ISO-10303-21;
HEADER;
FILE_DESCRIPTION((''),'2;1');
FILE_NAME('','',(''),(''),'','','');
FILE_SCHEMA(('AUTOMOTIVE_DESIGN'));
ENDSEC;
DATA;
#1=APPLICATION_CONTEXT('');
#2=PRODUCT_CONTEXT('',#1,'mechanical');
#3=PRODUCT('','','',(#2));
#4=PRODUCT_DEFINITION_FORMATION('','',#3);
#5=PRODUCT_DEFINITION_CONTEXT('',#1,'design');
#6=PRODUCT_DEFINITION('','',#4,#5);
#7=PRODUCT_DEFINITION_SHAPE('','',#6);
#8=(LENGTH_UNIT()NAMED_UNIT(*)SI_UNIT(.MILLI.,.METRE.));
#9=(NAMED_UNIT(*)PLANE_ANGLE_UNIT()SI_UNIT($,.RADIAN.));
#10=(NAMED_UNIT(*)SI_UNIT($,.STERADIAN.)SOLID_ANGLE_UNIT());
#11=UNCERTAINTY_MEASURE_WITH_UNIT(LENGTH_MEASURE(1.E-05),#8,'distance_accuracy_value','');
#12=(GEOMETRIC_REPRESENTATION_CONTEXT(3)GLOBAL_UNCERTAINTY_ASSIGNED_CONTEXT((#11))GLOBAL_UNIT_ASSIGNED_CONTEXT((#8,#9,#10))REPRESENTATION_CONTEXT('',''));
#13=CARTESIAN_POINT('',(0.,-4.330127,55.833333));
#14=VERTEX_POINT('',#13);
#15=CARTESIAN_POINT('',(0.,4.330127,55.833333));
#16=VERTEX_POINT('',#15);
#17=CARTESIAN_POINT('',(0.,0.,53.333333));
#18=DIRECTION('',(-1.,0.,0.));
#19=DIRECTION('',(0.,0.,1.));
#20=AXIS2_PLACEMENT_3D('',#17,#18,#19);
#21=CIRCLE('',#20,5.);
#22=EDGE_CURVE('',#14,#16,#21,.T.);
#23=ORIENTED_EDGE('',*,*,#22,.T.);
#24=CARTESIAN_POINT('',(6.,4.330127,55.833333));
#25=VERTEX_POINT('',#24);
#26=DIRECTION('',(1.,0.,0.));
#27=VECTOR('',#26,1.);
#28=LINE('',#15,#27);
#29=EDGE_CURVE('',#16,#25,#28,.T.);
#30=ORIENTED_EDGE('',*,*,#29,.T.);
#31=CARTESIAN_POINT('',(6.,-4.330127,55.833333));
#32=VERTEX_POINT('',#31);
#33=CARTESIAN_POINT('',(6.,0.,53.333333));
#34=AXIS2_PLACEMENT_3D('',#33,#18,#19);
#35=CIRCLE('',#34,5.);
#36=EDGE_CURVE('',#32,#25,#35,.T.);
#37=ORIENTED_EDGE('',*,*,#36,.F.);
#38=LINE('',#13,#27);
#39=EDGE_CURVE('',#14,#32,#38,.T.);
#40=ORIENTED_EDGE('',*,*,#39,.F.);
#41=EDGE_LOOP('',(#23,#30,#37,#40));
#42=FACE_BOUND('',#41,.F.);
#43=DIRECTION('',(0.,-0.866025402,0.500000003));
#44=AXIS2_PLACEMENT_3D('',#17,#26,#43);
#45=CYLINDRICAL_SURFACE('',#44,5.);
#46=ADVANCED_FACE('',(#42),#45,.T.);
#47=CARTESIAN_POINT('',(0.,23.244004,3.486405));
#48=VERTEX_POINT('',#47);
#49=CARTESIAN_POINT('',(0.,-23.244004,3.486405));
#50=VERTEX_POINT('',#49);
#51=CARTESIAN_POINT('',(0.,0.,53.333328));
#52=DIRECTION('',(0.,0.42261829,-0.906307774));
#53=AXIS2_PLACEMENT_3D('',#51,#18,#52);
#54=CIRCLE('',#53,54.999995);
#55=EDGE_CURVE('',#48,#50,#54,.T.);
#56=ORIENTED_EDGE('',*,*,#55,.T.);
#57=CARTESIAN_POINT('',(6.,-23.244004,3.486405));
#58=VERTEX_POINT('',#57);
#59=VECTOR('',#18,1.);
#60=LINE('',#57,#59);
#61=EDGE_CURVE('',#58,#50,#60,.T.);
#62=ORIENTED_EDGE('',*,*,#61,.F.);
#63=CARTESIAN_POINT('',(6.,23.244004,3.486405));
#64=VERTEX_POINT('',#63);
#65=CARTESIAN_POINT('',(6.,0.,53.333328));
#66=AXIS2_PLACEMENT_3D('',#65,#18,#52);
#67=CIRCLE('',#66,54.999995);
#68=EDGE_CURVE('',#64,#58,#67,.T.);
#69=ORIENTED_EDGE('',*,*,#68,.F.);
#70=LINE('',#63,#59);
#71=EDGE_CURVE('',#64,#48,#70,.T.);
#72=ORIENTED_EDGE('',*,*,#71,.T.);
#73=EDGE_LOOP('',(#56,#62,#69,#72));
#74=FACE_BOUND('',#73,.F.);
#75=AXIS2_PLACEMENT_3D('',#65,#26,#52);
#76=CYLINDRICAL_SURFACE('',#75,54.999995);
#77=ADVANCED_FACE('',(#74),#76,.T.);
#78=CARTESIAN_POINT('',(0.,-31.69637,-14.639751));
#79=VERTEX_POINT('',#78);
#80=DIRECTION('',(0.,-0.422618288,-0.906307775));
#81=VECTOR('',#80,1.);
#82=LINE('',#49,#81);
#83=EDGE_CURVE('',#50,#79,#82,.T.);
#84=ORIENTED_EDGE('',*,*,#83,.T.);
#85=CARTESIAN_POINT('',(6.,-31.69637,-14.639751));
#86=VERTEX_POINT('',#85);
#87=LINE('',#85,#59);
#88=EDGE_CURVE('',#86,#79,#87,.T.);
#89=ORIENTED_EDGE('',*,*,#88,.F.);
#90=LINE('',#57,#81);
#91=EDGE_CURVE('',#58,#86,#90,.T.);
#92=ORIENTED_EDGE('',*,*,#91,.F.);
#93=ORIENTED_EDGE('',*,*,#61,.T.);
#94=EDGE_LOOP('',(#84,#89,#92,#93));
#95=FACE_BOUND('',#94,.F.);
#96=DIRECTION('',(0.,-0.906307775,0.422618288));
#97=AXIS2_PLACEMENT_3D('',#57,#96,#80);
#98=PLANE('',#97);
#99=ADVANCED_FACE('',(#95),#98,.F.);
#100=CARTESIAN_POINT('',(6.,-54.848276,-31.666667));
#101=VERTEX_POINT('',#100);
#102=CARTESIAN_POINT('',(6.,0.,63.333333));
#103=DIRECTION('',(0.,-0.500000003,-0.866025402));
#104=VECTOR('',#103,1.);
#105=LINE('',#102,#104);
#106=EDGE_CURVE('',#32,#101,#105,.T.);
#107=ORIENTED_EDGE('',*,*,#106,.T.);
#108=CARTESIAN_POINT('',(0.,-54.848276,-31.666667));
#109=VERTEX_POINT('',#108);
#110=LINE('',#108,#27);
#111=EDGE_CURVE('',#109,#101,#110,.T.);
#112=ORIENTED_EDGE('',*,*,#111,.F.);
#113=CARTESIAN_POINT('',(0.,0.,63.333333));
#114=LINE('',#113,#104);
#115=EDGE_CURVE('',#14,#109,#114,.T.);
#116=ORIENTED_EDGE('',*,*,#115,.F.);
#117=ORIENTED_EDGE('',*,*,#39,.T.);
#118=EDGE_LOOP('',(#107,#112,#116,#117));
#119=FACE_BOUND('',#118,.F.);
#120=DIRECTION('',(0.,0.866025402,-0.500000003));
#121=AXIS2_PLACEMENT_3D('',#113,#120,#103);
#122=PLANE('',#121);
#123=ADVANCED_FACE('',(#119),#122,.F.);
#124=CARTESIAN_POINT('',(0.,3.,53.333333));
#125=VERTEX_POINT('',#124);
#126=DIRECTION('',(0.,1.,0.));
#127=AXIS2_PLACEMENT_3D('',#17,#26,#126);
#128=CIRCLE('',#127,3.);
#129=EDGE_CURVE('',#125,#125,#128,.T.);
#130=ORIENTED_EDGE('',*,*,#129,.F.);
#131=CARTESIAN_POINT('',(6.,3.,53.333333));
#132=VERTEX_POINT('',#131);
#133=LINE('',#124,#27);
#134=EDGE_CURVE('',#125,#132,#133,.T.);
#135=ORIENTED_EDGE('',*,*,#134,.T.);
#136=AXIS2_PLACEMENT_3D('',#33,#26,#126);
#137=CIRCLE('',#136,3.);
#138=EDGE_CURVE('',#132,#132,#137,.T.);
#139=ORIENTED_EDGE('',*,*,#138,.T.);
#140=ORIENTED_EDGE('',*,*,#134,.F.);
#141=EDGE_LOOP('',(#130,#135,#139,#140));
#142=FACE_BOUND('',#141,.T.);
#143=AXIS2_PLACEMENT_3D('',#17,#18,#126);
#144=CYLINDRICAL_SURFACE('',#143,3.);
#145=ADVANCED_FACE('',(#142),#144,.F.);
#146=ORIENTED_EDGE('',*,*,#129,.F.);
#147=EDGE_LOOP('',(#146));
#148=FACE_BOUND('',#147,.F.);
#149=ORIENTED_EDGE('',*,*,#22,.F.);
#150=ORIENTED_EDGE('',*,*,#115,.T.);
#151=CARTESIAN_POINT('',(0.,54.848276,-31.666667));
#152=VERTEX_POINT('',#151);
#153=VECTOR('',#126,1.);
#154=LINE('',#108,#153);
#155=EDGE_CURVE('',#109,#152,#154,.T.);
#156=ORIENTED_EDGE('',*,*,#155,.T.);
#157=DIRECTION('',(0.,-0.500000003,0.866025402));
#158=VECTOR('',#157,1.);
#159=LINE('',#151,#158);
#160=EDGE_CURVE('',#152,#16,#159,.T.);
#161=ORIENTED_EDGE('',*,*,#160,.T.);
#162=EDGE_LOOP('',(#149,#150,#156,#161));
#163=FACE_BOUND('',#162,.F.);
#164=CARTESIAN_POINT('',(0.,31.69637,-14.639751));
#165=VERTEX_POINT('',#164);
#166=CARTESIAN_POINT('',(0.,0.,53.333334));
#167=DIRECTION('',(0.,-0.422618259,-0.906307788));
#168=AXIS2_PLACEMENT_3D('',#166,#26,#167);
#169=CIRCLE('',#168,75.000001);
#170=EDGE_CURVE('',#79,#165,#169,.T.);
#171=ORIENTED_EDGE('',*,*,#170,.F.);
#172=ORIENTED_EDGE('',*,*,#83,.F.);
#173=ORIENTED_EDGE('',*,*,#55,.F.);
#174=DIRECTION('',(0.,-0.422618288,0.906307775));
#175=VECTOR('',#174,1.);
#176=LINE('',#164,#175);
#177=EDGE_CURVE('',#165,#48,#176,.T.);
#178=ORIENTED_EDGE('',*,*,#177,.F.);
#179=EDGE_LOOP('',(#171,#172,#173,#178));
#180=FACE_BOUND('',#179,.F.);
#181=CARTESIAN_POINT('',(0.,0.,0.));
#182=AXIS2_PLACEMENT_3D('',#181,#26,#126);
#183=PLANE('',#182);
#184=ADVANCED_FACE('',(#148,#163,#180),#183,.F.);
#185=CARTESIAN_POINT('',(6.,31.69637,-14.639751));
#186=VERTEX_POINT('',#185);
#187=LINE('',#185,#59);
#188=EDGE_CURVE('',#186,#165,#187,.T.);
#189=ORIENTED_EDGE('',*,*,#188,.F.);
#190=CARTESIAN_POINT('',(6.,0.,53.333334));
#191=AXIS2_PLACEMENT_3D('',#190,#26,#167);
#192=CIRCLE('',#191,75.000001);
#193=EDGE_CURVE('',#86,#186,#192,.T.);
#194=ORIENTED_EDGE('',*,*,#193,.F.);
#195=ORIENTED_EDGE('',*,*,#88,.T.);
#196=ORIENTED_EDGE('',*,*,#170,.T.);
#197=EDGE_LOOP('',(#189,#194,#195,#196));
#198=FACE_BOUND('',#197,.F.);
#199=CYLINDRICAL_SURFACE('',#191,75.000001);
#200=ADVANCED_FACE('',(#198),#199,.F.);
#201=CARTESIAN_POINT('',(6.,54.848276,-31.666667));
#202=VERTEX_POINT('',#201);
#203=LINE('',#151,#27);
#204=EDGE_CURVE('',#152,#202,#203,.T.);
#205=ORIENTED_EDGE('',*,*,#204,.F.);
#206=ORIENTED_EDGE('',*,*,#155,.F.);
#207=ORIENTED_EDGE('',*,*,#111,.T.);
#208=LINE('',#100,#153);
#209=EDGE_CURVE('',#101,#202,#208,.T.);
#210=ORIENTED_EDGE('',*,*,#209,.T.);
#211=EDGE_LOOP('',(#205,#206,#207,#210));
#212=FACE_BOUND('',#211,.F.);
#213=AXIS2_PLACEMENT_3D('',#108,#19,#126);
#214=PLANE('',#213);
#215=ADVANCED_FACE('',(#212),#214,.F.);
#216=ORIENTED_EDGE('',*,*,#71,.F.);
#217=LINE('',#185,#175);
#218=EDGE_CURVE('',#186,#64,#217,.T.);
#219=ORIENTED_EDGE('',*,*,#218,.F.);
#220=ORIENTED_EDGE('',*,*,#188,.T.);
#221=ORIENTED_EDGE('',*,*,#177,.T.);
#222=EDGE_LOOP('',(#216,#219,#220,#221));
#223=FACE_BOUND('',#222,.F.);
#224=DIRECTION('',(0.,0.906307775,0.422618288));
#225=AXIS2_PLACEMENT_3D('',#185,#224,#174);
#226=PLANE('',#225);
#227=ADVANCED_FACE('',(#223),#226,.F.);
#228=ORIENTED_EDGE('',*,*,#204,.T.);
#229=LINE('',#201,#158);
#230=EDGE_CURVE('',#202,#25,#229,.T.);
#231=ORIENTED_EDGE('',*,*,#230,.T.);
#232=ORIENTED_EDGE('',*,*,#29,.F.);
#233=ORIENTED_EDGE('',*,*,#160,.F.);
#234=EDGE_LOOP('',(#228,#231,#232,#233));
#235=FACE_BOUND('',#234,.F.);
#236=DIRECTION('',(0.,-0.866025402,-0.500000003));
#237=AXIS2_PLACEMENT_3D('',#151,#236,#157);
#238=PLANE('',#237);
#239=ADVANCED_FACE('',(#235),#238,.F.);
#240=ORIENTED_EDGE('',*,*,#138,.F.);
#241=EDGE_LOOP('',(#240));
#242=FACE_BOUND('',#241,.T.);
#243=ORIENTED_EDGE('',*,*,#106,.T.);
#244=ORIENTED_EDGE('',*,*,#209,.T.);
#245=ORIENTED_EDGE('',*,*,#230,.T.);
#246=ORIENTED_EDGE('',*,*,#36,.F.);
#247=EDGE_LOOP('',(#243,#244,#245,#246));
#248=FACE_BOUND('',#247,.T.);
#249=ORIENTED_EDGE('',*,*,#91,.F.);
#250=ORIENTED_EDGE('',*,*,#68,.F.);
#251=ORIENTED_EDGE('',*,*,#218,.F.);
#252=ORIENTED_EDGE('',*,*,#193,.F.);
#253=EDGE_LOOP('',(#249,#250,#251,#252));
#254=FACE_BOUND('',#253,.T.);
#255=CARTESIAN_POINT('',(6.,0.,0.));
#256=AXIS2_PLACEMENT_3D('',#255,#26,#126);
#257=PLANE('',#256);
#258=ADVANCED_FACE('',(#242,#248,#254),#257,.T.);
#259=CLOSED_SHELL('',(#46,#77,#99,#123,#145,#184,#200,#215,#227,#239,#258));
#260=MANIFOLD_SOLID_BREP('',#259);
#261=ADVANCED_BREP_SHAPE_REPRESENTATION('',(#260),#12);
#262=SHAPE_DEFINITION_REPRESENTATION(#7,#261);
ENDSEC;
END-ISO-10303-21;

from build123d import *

# Parameters (mm, degrees)
F0_R     = 3
F1_DEPTH = 6
F3_DEPTH = 6
F4_R     = 5


with BuildPart() as f1:
    # F0 (on Right) → F1 (new body)
    with BuildSketch(Plane.YZ):
        Polygon((0, 63.333333), (-54.848276, -31.666667), (54.848276, -31.666667), align=None)
        with Locations((0, 53.333333)):
            Circle(F0_R, mode=Mode.SUBTRACT)
    extrude(amount=F1_DEPTH)

    # F2 (on face) → F3 (cut, through all)
    with BuildSketch(Plane.YZ.offset(6)):
        with BuildLine():
            ThreePointArc((23.244004, 3.486405), (0, -1.666667), (-23.244004, 3.486405))
            Line((-23.244004, 3.486405), (-31.69637, -14.639751))
            ThreePointArc((-31.69637, -14.639751), (0, -21.666667), (31.69637, -14.639751))
            Line((31.69637, -14.639751), (23.244004, 3.486405))
        make_face()
    extrude(amount=-F3_DEPTH, mode=Mode.SUBTRACT)

    # F4
    f4_edges = [f1.edges().sort_by_distance(p)[0] for p in [
        (3, 0, 63.333333),
    ]]
    fillet(f4_edges, radius=F4_R)


solid = f1.part
